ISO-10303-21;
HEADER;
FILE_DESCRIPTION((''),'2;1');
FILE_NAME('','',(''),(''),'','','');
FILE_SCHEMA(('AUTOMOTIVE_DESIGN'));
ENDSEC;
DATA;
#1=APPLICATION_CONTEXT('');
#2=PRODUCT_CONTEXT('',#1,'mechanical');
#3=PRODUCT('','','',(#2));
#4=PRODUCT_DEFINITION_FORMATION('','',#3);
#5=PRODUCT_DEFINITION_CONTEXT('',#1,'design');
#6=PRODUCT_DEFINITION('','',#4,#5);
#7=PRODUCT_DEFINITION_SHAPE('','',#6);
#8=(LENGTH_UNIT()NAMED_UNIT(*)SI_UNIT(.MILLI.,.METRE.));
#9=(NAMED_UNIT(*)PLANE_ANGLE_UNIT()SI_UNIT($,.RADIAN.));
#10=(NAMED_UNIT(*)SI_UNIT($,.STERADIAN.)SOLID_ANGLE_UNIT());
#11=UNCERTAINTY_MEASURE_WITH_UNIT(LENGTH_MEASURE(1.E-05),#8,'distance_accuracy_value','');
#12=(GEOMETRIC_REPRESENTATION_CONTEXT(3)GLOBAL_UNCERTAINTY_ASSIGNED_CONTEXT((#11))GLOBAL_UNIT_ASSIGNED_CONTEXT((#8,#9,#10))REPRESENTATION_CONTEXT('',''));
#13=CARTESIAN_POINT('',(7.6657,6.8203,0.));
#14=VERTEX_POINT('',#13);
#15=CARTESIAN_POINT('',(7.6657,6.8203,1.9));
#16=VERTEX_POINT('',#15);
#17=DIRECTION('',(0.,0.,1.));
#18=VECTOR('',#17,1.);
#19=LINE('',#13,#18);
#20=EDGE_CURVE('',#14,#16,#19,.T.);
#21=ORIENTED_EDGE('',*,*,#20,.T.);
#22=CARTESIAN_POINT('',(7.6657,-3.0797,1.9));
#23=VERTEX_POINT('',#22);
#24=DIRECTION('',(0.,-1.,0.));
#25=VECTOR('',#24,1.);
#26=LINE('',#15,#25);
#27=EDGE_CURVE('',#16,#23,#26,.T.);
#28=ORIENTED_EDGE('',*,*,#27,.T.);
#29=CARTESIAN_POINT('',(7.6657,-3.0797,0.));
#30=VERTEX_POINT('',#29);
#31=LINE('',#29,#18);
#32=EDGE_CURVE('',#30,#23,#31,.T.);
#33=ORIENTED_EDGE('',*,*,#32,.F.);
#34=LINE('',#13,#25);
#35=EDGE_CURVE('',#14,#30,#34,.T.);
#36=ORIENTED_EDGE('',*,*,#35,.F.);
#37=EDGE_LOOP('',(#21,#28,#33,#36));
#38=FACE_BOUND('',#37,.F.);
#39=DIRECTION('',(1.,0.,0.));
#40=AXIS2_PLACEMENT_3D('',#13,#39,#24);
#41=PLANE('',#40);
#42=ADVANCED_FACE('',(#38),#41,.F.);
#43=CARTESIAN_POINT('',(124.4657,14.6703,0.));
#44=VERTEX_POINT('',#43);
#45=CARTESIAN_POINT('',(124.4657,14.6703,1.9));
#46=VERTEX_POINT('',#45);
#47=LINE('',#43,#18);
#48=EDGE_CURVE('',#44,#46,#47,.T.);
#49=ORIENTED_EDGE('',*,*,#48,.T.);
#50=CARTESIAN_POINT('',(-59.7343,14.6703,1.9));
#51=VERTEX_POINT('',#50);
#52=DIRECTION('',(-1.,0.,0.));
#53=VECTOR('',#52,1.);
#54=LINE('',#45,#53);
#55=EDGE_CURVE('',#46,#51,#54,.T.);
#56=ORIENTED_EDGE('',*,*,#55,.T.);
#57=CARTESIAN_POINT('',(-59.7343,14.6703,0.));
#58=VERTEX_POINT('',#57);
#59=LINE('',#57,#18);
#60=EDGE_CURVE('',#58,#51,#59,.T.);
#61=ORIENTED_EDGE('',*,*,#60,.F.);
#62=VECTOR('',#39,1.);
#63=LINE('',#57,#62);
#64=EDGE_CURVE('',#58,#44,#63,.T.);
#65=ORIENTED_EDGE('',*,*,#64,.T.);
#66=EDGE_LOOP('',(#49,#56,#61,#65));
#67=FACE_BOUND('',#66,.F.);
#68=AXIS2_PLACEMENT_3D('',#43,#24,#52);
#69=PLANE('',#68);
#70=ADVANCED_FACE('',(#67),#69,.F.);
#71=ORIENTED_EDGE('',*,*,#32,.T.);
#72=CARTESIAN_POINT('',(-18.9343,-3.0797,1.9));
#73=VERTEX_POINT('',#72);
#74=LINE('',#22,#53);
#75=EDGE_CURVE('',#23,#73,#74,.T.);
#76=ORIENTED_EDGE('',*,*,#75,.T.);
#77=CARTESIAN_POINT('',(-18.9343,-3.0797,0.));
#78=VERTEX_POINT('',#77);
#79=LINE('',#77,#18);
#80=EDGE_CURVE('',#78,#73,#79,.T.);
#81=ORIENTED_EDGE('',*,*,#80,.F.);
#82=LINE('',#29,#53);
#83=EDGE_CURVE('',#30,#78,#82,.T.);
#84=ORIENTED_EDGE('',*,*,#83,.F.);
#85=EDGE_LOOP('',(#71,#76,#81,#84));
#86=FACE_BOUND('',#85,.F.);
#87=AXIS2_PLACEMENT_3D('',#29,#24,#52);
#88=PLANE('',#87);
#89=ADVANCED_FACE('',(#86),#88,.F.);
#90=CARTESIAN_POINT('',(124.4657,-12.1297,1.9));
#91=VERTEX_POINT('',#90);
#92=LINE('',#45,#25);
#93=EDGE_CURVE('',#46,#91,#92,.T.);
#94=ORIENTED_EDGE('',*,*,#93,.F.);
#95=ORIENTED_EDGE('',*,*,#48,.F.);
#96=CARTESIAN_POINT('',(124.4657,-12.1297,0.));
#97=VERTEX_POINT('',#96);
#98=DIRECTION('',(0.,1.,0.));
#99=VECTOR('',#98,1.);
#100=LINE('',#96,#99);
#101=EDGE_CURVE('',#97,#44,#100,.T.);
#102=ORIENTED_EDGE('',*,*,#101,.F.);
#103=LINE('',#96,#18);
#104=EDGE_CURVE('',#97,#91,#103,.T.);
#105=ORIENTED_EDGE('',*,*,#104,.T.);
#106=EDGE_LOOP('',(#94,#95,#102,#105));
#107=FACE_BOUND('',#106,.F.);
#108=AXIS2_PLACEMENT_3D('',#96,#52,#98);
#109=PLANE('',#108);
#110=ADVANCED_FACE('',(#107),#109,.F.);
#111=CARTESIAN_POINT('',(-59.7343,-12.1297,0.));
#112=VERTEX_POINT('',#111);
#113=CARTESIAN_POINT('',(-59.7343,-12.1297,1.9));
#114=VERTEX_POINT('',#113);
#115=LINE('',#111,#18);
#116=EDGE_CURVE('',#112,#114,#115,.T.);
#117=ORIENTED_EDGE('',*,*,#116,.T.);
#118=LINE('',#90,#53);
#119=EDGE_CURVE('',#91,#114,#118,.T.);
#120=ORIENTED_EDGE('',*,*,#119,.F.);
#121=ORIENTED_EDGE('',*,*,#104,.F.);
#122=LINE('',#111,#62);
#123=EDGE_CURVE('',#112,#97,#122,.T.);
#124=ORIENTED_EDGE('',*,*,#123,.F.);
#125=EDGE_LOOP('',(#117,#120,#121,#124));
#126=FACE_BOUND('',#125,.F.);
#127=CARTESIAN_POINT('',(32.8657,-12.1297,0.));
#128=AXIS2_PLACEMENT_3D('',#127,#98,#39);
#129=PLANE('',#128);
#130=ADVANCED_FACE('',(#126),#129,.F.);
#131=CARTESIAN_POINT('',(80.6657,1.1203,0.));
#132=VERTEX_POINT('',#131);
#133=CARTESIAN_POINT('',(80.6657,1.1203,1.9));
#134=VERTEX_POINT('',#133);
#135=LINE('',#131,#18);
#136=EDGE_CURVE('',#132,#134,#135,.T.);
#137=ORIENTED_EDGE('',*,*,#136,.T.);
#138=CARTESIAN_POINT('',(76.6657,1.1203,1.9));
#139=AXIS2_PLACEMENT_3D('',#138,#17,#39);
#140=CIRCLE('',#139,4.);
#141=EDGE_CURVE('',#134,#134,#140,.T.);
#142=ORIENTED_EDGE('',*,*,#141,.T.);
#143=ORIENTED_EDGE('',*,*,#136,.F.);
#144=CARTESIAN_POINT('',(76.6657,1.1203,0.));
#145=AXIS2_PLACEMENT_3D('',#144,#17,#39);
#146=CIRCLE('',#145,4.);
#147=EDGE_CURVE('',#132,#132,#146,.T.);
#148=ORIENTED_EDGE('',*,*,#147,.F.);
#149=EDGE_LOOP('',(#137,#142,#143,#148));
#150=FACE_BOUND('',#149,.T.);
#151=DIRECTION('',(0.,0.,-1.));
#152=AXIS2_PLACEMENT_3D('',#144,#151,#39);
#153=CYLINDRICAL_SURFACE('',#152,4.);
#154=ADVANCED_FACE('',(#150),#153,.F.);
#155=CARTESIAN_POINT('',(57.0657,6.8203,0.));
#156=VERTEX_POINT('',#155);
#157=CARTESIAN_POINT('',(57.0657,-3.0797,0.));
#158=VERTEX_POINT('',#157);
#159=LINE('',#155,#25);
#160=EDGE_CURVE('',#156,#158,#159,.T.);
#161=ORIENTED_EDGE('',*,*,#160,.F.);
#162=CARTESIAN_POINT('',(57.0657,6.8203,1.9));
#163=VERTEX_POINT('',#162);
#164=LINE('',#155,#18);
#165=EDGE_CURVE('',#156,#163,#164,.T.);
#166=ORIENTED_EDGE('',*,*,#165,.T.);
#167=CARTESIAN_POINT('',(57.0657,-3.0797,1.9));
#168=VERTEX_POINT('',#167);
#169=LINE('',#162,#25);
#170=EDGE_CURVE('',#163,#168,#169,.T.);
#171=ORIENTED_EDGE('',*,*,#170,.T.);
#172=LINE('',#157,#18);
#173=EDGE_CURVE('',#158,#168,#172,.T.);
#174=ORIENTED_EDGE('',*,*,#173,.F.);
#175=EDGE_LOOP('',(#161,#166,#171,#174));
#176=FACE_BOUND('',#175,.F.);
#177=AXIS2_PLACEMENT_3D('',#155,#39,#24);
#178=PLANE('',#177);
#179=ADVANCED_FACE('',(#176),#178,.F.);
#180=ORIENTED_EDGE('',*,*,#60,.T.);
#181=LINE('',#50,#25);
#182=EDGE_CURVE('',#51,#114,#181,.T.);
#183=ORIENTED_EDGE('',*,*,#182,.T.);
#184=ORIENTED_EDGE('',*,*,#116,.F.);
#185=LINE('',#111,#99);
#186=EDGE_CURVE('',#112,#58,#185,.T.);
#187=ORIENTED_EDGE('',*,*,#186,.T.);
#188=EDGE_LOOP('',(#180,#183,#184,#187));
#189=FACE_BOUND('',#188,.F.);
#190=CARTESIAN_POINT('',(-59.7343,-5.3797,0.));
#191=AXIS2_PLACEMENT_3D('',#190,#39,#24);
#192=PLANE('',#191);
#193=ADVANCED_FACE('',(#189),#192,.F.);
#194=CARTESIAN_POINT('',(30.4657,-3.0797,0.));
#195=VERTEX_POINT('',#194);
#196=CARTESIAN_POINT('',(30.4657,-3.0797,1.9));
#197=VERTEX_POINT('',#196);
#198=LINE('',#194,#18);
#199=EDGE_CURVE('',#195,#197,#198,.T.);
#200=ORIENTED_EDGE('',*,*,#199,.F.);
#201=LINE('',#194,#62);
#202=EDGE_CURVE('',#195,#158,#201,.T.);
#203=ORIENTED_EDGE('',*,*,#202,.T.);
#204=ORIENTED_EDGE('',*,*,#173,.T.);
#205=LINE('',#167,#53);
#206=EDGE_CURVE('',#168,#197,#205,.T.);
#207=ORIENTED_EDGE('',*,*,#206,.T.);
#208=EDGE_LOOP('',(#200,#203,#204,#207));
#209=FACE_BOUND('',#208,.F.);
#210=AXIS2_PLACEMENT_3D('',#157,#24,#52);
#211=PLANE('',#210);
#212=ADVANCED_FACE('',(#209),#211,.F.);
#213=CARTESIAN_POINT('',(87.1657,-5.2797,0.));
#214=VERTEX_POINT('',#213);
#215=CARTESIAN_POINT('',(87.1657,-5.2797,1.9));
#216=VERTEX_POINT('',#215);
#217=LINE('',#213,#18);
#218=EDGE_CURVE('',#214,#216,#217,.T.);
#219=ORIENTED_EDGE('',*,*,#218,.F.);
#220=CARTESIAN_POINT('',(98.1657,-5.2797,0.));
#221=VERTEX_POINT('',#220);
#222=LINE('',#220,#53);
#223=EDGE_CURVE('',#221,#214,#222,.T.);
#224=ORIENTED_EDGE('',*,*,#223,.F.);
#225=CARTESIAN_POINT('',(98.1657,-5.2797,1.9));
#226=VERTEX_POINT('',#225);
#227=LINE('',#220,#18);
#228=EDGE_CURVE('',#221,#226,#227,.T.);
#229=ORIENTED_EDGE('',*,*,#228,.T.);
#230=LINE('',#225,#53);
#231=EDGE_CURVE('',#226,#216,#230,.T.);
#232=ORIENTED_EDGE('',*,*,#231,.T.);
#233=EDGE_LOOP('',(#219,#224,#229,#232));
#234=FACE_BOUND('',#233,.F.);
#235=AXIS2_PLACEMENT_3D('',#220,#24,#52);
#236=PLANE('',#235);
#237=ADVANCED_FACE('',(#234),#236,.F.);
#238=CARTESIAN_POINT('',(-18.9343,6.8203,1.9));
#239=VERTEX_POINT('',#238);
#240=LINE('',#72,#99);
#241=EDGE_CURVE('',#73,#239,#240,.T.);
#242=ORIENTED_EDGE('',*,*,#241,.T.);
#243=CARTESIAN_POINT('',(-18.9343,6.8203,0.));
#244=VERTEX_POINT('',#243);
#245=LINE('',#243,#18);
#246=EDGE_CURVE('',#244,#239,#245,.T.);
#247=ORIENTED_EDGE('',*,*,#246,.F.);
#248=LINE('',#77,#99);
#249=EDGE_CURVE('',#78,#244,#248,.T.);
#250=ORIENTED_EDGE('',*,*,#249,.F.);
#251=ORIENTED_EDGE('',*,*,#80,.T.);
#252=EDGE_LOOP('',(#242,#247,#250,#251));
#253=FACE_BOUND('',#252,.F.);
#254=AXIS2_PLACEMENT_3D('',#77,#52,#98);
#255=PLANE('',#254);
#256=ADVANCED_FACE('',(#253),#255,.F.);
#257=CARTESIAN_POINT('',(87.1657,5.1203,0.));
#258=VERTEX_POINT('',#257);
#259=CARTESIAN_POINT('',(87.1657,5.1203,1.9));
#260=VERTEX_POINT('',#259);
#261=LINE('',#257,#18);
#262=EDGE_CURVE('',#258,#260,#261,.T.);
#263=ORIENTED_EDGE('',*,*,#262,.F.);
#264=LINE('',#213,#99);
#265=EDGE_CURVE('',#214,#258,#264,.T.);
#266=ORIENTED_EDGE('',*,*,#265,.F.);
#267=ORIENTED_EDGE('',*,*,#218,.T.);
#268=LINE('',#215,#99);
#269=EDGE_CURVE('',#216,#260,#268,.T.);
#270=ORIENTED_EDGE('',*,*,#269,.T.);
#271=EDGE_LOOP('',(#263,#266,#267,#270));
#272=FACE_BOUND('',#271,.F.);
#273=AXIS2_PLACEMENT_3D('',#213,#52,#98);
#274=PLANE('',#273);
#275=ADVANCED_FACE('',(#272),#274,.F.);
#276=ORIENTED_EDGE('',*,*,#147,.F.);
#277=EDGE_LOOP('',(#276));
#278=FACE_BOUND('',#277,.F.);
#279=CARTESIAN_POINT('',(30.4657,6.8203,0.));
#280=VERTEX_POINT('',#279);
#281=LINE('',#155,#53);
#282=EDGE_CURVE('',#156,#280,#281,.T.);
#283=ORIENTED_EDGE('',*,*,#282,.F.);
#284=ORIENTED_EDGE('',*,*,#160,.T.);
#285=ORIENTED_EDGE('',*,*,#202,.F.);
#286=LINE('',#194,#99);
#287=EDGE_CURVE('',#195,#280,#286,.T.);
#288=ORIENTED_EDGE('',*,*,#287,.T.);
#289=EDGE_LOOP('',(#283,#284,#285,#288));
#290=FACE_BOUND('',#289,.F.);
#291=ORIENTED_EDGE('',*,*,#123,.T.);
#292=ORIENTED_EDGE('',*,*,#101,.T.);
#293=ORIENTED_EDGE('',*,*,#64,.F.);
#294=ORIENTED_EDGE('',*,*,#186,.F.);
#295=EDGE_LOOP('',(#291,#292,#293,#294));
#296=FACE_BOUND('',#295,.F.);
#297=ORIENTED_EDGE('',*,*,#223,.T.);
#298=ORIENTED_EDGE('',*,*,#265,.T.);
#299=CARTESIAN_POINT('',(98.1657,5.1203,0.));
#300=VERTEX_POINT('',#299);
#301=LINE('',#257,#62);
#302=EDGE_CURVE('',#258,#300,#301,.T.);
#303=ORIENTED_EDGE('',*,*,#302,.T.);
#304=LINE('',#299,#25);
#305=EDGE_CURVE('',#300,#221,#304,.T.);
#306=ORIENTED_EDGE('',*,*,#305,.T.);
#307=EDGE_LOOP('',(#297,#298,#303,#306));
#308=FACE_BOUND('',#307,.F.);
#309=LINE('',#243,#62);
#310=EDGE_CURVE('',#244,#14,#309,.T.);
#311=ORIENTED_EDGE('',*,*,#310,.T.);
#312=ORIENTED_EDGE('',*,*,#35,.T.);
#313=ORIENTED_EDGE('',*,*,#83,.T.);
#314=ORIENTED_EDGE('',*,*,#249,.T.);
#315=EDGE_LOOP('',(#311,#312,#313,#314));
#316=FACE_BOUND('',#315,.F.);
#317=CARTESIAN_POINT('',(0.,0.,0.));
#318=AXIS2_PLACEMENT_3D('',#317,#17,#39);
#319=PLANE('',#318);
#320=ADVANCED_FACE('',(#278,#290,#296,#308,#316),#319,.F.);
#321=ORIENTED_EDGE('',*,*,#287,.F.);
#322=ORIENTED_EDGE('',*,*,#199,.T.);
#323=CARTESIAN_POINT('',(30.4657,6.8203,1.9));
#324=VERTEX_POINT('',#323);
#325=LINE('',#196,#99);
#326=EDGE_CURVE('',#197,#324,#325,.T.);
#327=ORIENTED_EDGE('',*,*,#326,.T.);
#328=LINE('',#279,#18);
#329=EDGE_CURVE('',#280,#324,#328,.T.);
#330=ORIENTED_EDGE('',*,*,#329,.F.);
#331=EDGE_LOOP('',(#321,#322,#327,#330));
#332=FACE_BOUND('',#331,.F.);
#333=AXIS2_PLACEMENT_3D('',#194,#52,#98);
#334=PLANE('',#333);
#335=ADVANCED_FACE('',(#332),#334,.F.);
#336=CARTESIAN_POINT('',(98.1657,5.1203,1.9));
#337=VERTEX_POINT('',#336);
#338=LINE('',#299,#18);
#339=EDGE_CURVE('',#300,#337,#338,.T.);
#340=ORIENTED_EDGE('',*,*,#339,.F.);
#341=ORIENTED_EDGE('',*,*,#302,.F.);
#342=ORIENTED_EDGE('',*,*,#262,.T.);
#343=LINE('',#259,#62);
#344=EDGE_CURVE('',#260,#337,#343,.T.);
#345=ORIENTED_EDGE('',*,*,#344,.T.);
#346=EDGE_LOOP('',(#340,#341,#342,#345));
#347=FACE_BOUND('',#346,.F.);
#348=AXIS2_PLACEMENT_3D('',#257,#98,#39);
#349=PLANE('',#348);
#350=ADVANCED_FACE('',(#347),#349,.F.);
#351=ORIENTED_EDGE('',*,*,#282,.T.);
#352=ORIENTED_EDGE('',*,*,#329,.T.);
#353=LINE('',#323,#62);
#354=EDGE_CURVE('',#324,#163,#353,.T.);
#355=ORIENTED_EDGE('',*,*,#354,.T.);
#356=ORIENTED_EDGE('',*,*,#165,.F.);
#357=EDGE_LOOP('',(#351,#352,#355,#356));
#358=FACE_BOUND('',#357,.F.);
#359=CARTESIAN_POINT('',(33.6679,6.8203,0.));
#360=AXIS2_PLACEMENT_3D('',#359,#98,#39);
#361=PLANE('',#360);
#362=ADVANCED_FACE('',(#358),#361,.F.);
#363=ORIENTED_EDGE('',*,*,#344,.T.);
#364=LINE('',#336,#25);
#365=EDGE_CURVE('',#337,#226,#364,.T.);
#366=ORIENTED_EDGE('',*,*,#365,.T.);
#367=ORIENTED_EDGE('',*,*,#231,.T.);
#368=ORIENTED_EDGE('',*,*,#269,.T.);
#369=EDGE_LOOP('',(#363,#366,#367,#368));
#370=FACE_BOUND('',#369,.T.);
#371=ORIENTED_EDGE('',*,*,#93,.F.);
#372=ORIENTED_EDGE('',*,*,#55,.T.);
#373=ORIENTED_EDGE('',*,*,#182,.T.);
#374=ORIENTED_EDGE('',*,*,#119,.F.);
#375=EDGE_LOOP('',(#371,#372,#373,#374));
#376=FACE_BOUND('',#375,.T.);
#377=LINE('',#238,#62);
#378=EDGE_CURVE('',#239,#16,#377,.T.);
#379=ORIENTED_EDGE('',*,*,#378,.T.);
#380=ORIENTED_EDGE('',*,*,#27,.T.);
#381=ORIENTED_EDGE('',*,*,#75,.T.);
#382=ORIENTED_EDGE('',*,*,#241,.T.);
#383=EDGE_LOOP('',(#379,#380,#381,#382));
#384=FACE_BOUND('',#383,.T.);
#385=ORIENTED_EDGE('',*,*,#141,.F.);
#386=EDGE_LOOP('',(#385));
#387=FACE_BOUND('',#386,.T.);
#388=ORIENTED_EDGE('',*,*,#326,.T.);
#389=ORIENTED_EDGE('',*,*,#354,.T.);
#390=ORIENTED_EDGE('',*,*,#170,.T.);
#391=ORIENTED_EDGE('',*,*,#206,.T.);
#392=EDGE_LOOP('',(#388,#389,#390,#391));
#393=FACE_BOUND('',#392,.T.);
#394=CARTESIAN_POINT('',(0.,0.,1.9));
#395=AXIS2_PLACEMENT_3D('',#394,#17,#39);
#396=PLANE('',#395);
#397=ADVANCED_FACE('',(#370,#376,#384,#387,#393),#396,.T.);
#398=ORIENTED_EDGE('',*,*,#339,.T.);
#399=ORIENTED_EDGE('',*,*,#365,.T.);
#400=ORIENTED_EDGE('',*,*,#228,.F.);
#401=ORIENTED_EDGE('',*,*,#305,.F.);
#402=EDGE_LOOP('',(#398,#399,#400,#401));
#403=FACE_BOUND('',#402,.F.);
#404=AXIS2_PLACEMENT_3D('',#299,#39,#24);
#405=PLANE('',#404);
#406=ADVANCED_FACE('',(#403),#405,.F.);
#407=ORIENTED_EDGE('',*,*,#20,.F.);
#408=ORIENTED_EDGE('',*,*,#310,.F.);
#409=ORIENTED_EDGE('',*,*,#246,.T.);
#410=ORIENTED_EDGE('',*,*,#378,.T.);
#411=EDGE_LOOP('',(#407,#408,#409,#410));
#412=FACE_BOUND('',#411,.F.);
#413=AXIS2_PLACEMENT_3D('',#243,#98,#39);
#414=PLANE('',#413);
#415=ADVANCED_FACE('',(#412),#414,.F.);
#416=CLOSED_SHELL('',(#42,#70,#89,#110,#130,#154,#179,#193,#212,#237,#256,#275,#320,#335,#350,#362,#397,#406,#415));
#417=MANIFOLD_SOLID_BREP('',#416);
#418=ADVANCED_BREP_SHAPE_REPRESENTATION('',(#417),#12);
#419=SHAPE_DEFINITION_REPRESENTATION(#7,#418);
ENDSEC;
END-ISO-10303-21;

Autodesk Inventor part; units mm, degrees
ref_plane "YZ Plane" through (0, 0, 0) normal (1, 0, 0) x (0, 1, 0)
ref_plane "XZ Plane" through (0, 0, 0) normal (0, 1, 0) x (-1, 0, 0)
ref_plane "XY Plane" through (0, 0, 0) normal (0, 0, 1) x (1, 0, 0)
sketch "Sketch1" plane through (0, 0, 0) normal (0, 0, 1) x (1, 0, 0)
  circle A0 centre (76.6657, 1.1203) radius 3
  line L0 (88.1657, -4.2797) -> (97.1657, -4.2797)
  line L1 (97.1657, -4.2797) -> (97.1657, 4.1203)
  line L2 (97.1657, 4.1203) -> (88.1657, 4.1203)
  line L3 (124.4657, -12.1297) -> (124.4657, 14.6703)
  line L4 (88.1657, 4.1203) -> (88.1657, -4.2797)
  line L5 (56.0657, -2.0797) -> (56.0657, 5.8203)
  line L6 (33.6679, 7.1494) -> (33.6679, -2.7506)
  line L7 (32.8657, 14.6703) -> (32.8657, -12.1297)
  line L8 (31.4657, -2.0797) -> (56.0657, -2.0797)
  line L9 (56.0657, 5.8203) -> (31.4657, 5.8203)
  line L10 (124.4657, 14.6703) -> (-59.7343, 14.6703)
  line L11 (-59.7343, -5.3797) -> (124.4657, -5.3797)
  line L12 (-59.7343, -12.1297) -> (124.4657, -12.1297)
  line L13 (31.4657, 5.8203) -> (31.4657, -2.0797)
  line L14 (-59.7343, 14.6703) -> (-59.7343, -12.1297)
  line L15 (6.6657, -2.0797) -> (6.6657, 5.8203)
  line L16 (-17.9343, -2.0797) -> (6.6657, -2.0797)
  line L17 (-17.9343, 5.8203) -> (-17.9343, -2.0797)
  line L18 (6.6657, 5.8203) -> (-17.9343, 5.8203)
  line L19 (7.6657, 6.8203) -> (7.6657, -3.0797)
  line L20 (7.6657, -3.0797) -> (-18.9343, -3.0797)
  line L21 (-18.9343, -3.0797) -> (-18.9343, 6.8203)
  line L22 (-18.9343, 6.8203) -> (7.6657, 6.8203)
  line L23 (57.0657, 6.8203) -> (57.0657, -3.0797)
  line L24 (57.0657, -3.0797) -> (30.4657, -3.0797)
  line L25 (30.4657, -3.0797) -> (30.4657, 6.8203)
  line L26 (30.4657, 6.8203) -> (57.0657, 6.8203)
  circle A1 centre (76.6657, 1.1203) radius 4
  line L27 (98.1657, 5.1203) -> (98.1657, -5.2797)
  line L28 (98.1657, -5.2797) -> (87.1657, -5.2797)
  line L29 (87.1657, -5.2797) -> (87.1657, 5.1203)
  line L30 (87.1657, 5.1203) -> (98.1657, 5.1203)
  point P0 (0, 0)
  point P1 (0, 0)
  dimension "d1" = 6.75
  dimension "d2" = 7.9
  dimension "d3" = 24.6
  dimension "d4" = 3.3
  dimension "d5" = 3.3
  dimension "d6" = 24.6
  dimension "d7" = 7.9
  dimension "d8" = 24.8
  dimension "d10" = 6
  dimension "d11" = 6.5
  dimension "d12" = 20.6
  dimension "d13" = 9
  dimension "d14" = 1.1
  dimension "d15" = 8.4
  dimension "d17" = 1
  dimension "d18" = 1
  dimension "d19" = 1
  dimension "d20" = 1
  dimension "d27" = 11.5
  dimension "d30" = 26.8
  dimension "d32" = 41.8
  dimension "d33" = 184.2
extrude "Extrusion1" add sketch "Sketch1" along normal blind 1.9 contours L12 L7 L11 L3 | L11 L7 L24 L23 L26 L10 L3 | L12 L14 L11 L7 | L11 L14 L10 L7 L26 L25 L24
equation "\"BendRadius\" = Thickness"
equation "\"BendReliefWidth\" = Thickness"
equation "\"BendReliefDepth\" = 0.5 * Thickness"
equation "\"CornerReliefSize\" = 4 * Thickness"
equation "\"MinimumRemnant\" = 2 * Thickness"
equation "\"TransitionRadius\" = BendRadius"
equation "\"JacobiRadiusSize\" = BendRadius"
equation "\"GapSize\" = Thickness"
equation "\"Thickness\" = 0.5"
properties part number "panel 2"
